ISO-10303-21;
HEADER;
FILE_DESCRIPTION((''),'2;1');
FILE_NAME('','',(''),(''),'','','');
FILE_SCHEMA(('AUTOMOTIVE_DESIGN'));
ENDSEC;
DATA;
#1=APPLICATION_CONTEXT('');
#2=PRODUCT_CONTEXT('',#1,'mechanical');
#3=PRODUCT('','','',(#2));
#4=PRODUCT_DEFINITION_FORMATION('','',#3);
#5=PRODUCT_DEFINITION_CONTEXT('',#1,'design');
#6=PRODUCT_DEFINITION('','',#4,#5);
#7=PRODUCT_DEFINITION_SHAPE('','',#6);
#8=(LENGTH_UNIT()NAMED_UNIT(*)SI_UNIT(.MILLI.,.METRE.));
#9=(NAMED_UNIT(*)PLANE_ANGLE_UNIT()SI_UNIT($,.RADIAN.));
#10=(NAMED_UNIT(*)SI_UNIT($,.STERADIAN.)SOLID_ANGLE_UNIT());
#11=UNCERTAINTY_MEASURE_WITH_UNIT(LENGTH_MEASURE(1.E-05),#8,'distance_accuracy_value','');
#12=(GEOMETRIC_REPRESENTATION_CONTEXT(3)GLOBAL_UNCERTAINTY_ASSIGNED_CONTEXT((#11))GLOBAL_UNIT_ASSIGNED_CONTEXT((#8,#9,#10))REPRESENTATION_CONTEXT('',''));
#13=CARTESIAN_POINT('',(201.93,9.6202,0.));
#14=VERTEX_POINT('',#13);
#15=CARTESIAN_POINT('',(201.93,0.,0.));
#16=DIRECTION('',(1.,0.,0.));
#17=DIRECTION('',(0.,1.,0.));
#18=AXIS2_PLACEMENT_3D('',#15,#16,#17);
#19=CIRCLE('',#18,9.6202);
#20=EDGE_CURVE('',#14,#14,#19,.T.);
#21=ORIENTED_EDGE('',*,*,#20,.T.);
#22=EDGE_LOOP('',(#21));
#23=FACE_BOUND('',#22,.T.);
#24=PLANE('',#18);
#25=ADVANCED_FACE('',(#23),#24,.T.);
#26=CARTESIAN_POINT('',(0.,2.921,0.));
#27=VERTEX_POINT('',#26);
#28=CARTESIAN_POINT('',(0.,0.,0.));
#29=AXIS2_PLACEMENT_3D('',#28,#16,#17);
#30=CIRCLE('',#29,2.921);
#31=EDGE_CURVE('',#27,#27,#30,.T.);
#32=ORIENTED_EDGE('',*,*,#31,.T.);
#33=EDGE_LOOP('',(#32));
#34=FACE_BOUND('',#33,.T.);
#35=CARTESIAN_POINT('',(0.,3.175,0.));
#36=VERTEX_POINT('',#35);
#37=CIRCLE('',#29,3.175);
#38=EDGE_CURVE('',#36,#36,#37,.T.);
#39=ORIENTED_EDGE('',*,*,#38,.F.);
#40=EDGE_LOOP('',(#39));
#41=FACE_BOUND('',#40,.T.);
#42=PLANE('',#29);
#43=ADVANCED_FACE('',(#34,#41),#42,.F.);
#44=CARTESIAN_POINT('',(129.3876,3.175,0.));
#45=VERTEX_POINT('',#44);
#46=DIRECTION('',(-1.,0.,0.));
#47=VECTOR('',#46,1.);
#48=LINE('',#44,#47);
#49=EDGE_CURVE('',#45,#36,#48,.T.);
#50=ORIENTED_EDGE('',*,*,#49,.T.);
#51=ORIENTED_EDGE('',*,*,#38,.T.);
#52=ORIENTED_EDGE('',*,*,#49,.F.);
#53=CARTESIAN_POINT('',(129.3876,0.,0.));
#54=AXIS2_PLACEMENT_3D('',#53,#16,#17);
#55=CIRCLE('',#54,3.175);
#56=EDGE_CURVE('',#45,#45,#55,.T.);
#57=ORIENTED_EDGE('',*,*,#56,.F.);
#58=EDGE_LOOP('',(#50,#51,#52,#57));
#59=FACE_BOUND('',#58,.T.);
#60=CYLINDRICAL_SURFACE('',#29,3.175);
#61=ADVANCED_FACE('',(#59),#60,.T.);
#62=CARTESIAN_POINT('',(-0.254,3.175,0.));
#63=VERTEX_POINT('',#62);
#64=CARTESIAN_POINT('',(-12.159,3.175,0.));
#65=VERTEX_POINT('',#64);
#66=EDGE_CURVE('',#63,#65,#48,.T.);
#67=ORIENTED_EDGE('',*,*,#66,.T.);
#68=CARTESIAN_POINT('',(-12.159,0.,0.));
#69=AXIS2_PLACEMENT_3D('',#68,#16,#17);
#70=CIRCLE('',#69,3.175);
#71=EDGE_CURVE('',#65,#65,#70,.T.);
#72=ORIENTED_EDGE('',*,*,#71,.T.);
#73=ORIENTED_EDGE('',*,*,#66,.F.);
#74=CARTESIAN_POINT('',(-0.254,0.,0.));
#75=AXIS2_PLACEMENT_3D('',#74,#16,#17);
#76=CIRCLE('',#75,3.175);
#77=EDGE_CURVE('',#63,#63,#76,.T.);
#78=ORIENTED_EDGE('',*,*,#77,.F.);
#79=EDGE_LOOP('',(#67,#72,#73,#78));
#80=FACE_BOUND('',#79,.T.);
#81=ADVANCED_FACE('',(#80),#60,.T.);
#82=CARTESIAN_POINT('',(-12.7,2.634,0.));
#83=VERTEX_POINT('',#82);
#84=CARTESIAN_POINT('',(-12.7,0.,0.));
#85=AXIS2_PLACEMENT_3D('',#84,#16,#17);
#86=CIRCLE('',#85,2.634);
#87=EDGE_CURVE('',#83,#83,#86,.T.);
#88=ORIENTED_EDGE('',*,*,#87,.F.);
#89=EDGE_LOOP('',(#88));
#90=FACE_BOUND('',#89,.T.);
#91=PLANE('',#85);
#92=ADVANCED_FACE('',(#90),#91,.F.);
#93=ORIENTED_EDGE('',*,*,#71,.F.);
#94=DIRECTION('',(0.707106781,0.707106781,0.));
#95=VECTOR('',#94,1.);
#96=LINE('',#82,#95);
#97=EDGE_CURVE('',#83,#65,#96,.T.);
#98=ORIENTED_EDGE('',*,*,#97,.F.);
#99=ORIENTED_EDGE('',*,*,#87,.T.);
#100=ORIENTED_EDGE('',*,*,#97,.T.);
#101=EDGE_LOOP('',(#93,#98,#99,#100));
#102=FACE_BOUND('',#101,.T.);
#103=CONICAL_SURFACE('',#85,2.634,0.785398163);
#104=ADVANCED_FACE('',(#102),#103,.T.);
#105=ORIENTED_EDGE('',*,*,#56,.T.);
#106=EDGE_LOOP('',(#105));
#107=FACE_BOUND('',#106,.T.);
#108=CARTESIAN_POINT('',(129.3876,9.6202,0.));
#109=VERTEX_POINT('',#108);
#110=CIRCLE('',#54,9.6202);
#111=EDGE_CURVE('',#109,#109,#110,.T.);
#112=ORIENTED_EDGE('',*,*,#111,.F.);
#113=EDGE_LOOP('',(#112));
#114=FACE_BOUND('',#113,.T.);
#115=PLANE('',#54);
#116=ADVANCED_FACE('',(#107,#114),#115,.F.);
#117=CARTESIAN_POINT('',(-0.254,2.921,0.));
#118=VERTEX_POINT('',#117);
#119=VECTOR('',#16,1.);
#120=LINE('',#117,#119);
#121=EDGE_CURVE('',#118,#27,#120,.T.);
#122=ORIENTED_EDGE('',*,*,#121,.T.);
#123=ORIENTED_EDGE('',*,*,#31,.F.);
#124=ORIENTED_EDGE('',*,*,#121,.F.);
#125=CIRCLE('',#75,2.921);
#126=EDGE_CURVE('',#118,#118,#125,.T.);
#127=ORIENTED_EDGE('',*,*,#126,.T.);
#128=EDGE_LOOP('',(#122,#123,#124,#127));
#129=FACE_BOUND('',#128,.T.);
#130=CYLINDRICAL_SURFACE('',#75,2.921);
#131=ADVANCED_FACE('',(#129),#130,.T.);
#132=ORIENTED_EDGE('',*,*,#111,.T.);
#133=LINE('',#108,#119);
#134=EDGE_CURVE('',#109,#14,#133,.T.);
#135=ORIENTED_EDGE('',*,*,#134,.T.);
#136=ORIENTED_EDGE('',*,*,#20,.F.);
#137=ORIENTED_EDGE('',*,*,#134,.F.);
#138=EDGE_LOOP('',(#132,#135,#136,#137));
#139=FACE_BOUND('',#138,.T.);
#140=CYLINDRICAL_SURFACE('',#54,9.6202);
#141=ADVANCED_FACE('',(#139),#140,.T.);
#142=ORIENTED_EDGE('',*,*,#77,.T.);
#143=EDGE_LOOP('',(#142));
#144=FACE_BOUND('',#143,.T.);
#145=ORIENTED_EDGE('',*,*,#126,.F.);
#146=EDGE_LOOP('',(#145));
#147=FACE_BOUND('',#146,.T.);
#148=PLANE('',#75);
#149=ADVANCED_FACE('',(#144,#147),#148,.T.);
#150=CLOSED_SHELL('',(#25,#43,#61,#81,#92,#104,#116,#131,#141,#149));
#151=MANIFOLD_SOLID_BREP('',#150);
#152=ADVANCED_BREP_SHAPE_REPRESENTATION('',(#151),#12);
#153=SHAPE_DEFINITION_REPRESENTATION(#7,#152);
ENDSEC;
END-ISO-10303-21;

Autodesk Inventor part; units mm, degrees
sketch "Sketch_1" plane through (0, 0, 0) normal (0, 0, 1) x (1, 0, 0)
  line L0 (201.93, 0) -> (0, 0)
  line L1 (0, 0) -> (0, 3.175)
  line L2 (0, 3.175) -> (129.3876, 3.175)
  line L3 (129.3876, 3.175) -> (129.3876, 9.6202)
  line L4 (129.3876, 9.6202) -> (201.93, 9.6202)
  line L5 (201.93, 9.6202) -> (201.93, 0)
  line L6 (201.93, 0) -> (0, 0)
revolve "Revolution1" add sketch "Sketch_1" angle 360 about axis through (201.93, 0, 0) along (1, 0, 0)
sketch "Sketch_3" plane through (0, 0, 0) normal (0, 0, 1) x (1, 0, 0)
  line L0 (0, 0) -> (-12.7, 0)
  line L1 (-12.7, 0) -> (-12.7, 2.634)
  line L2 (-12.7, 2.634) -> (-12.159, 3.175)
  line L3 (-12.159, 3.175) -> (0, 3.175)
  line L4 (0, 3.175) -> (0, 0)
  line L5 (0, 0) -> (-12.7, 0)
revolve "Revolution2" add sketch "Sketch_3" angle 360 about axis through (0, 0, 0) along (1, 0, 0)
sketch "Sketch_30" plane through (0, 0, 0) normal (0, 0, 1) x (1, 0, 0)
  line L0 (0, 0) -> (-0.254, 0)
  line L1 (-0.254, 2.921) -> (0, 2.921)
  line L2 (0, 2.921) -> (0, 3.429)
  line L3 (0, 3.429) -> (-0.254, 3.429)
  line L4 (-0.254, 3.429) -> (-0.254, 2.921)
revolve "Revolution3" cut sketch "Sketch_30" angle 360 about axis through (0, 0, 0) along (1, 0, 0)
ref_plane "dia1_XY" through (0, 3.175, 0) normal (1, 0, 0) x (0, 0, -1)
ref_plane "dia1_YZ" through (0, 3.175, 0) normal (0, 0, -1) x (0, 1, 0)
ref_plane "dia1_ZX" through (0, 3.175, 0) normal (0, 1, 0) x (1, 0, 0)
ref_plane "dia12_XY" through (0, 0, 10.9537) normal (1, 0, 0) x (0, 0, -1)
ref_plane "dia12_YZ" through (0, 0, 10.9537) normal (0, 0, -1) x (0, 1, 0)
ref_plane "dia12_ZX" through (0, 0, 10.9537) normal (0, 1, 0) x (1, 0, 0)
ref_plane "dia1r_XY" through (0, 0, 10.2235) normal (1, 0, 0) x (0, 0, -1)
ref_plane "dia1r_YZ" through (0, 0, 10.2235) normal (0, 0, -1) x (0, 1, 0)
ref_plane "dia1r_ZX" through (0, 0, 10.2235) normal (0, 1, 0) x (1, 0, 0)
ref_plane "dia2_XY" through (0, -3.175, 0) normal (1, 0, 0) x (0, 0, -1)
ref_plane "dia2_YZ" through (0, -3.175, 0) normal (0, 0, -1) x (0, 1, 0)
ref_plane "dia2_ZX" through (0, -3.175, 0) normal (0, 1, 0) x (1, 0, 0)
ref_plane "dia22_XY" through (0, 0, -10.9537) normal (1, 0, 0) x (0, 0, -1)
ref_plane "dia22_YZ" through (0, 0, -10.9537) normal (0, 0, -1) x (0, 1, 0)
ref_plane "dia22_ZX" through (0, 0, -10.9537) normal (0, 1, 0) x (1, 0, 0)
ref_plane "dia2r_XY" through (0, 0, -10.2235) normal (1, 0, 0) x (0, 0, -1)
ref_plane "dia2r_YZ" through (0, 0, -10.2235) normal (0, 0, -1) x (0, 1, 0)
ref_plane "dia2r_ZX" through (0, 0, -10.2235) normal (0, 1, 0) x (1, 0, 0)
ref_plane "rl1_XY" through (-12.7, 0, 0) normal (1, 0, 0) x (0, 0, -1)
ref_plane "rl1_YZ" through (-12.7, 0, 0) normal (0, 0, -1) x (0, 1, 0)
ref_plane "rl1_ZX" through (-12.7, 0, 0) normal (0, 1, 0) x (1, 0, 0)
ref_plane "rl2_XY" through (0, 0, 0) normal (1, 0, 0) x (0, 0, -1)
ref_plane "rl2_YZ" through (0, 0, 0) normal (0, 0, -1) x (0, 1, 0)
ref_plane "rl2_ZX" through (0, 0, 0) normal (0, 1, 0) x (1, 0, 0)
ref_plane "rod_cp_XY" through (0, 0, 0) normal (1, 0, 0) x (0, 0, -1)
ref_plane "rod_cp_YZ" through (0, 0, 0) normal (0, 0, -1) x (0, 1, 0)
ref_plane "rod_cp_ZX" through (0, 0, 0) normal (0, 1, 0) x (1, 0, 0)
ref_plane "stroke1_XY" through (0, 0, 0) normal (1, 0, 0) x (0, 0, -1)
ref_plane "stroke1_YZ" through (0, 0, 0) normal (0, 0, -1) x (0, 1, 0)
ref_plane "stroke1_ZX" through (0, 0, 0) normal (0, 1, 0) x (1, 0, 0)
ref_plane "thd1_XY" through (-12.7, 3.175, 0) normal (1, 0, 0) x (0, 0, -1)
ref_plane "thd1_YZ" through (-12.7, 3.175, 0) normal (0, 0, -1) x (0, 1, 0)
ref_plane "thd1_ZX" through (-12.7, 3.175, 0) normal (0, 1, 0) x (1, 0, 0)
ref_plane "thd2_XY" through (-12.7, -3.175, 0) normal (1, 0, 0) x (0, 0, -1)
ref_plane "thd2_YZ" through (-12.7, -3.175, 0) normal (0, 0, -1) x (0, 1, 0)
ref_plane "thd2_ZX" through (-12.7, -3.175, 0) normal (0, 1, 0) x (1, 0, 0)
ref_plane "to_rod_clevis_XY" through (-16.764, 0, 0) normal (1, 0, 0) x (0, 0, -1)
ref_plane "to_rod_clevis_YZ" through (-16.764, 0, 0) normal (0, 0, -1) x (0, 1, 0)
ref_plane "to_rod_clevis_ZX" through (-16.764, 0, 0) normal (0, 1, 0) x (1, 0, 0)
properties part number "C-043.5-HRP0000_rod"
